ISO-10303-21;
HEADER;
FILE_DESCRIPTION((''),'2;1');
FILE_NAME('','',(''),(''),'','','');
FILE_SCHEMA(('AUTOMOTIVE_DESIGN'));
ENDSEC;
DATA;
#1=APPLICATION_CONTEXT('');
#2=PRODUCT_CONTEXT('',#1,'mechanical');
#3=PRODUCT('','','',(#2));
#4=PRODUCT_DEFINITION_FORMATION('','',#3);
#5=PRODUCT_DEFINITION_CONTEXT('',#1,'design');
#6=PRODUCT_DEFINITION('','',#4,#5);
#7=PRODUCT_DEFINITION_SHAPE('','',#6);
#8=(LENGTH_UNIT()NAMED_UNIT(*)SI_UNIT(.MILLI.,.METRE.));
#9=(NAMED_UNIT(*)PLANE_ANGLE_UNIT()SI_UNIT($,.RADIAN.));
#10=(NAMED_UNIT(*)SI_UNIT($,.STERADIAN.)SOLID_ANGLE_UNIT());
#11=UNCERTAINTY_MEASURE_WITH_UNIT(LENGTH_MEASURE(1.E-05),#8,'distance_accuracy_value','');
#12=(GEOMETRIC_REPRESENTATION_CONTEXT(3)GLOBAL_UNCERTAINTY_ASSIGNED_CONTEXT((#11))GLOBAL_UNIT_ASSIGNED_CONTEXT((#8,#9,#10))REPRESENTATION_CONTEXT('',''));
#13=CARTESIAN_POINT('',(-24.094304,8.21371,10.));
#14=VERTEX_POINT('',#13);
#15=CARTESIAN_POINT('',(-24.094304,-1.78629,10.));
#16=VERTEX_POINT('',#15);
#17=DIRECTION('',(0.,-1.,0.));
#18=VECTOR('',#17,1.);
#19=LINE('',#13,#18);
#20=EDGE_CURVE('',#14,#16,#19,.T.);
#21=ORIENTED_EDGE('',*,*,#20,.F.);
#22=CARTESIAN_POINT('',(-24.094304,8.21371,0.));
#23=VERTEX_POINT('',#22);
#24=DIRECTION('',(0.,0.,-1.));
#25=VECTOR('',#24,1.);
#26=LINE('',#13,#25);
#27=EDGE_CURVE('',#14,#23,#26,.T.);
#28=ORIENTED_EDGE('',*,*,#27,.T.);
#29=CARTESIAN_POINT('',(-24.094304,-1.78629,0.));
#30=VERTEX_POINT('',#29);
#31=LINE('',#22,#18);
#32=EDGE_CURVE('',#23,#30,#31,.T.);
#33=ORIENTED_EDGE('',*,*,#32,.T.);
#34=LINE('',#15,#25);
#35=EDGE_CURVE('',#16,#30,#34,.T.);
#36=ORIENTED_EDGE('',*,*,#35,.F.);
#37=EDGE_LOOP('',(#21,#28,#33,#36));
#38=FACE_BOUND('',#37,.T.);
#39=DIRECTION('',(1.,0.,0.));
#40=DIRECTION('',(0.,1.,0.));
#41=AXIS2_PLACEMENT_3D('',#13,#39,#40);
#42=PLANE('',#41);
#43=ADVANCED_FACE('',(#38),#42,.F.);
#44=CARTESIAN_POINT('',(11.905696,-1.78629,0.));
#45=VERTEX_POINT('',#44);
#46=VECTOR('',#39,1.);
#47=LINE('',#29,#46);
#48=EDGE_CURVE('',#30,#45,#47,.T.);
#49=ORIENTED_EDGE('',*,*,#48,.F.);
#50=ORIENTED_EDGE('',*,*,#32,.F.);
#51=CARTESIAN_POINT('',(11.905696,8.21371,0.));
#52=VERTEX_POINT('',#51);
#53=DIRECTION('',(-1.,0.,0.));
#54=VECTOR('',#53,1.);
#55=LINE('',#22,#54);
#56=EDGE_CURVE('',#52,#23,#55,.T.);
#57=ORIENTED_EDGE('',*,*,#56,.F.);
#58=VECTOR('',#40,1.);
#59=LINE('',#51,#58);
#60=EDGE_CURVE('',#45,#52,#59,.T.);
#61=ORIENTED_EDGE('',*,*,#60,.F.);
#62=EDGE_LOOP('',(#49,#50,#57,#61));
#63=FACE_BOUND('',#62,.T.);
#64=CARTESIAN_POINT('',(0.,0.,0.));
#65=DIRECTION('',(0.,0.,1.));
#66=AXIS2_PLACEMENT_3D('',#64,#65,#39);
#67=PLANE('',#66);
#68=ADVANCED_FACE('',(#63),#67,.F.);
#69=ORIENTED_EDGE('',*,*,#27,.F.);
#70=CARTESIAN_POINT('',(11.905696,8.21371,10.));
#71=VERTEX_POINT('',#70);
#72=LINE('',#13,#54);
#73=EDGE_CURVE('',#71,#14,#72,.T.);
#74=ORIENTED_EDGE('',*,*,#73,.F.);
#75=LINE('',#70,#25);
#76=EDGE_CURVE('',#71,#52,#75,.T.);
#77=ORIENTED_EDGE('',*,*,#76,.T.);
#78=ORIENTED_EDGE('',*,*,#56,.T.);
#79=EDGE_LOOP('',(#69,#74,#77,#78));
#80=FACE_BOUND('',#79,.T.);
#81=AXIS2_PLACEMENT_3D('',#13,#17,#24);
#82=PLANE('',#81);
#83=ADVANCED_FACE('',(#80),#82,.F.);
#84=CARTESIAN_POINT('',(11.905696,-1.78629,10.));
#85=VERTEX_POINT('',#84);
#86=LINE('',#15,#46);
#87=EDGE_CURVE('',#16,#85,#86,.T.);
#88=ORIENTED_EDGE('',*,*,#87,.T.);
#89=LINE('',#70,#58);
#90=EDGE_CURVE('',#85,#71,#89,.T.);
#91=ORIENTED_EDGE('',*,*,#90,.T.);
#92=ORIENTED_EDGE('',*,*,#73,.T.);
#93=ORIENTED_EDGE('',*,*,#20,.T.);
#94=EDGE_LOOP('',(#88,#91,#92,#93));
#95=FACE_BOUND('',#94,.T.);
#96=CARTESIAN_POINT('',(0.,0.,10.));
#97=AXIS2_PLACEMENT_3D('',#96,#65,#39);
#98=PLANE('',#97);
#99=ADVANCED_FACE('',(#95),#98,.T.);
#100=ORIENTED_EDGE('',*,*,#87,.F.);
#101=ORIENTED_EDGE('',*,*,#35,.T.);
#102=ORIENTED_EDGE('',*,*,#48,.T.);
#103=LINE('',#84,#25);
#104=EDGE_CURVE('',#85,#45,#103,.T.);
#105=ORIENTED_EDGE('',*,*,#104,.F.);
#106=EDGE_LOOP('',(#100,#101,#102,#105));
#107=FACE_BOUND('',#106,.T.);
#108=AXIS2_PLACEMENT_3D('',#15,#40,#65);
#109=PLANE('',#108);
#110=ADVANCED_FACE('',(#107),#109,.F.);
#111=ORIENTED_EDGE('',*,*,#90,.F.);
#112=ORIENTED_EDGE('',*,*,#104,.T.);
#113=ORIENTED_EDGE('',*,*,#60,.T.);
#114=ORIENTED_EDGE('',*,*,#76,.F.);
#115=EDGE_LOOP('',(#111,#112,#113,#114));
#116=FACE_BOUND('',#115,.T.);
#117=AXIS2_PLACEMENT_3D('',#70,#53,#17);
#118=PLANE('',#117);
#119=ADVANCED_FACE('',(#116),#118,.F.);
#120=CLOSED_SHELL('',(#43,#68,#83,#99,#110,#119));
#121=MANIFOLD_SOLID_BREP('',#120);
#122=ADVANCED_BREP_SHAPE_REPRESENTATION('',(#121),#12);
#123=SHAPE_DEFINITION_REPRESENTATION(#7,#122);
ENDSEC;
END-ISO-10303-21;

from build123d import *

# Parameters (mm, degrees)
SKETCH_1_W      = 36
SKETCH_1_H      = 10
EXTRUDE_1_DEPTH = 10


with BuildPart() as part:
    # 草圖1 → 填料-伸長1 (new body)
    with BuildSketch(Plane.XY):
        with Locations((-6.09430438, 3.213709677)):
            Rectangle(SKETCH_1_W, SKETCH_1_H)
    extrude(amount=EXTRUDE_1_DEPTH)


solid = part.part
